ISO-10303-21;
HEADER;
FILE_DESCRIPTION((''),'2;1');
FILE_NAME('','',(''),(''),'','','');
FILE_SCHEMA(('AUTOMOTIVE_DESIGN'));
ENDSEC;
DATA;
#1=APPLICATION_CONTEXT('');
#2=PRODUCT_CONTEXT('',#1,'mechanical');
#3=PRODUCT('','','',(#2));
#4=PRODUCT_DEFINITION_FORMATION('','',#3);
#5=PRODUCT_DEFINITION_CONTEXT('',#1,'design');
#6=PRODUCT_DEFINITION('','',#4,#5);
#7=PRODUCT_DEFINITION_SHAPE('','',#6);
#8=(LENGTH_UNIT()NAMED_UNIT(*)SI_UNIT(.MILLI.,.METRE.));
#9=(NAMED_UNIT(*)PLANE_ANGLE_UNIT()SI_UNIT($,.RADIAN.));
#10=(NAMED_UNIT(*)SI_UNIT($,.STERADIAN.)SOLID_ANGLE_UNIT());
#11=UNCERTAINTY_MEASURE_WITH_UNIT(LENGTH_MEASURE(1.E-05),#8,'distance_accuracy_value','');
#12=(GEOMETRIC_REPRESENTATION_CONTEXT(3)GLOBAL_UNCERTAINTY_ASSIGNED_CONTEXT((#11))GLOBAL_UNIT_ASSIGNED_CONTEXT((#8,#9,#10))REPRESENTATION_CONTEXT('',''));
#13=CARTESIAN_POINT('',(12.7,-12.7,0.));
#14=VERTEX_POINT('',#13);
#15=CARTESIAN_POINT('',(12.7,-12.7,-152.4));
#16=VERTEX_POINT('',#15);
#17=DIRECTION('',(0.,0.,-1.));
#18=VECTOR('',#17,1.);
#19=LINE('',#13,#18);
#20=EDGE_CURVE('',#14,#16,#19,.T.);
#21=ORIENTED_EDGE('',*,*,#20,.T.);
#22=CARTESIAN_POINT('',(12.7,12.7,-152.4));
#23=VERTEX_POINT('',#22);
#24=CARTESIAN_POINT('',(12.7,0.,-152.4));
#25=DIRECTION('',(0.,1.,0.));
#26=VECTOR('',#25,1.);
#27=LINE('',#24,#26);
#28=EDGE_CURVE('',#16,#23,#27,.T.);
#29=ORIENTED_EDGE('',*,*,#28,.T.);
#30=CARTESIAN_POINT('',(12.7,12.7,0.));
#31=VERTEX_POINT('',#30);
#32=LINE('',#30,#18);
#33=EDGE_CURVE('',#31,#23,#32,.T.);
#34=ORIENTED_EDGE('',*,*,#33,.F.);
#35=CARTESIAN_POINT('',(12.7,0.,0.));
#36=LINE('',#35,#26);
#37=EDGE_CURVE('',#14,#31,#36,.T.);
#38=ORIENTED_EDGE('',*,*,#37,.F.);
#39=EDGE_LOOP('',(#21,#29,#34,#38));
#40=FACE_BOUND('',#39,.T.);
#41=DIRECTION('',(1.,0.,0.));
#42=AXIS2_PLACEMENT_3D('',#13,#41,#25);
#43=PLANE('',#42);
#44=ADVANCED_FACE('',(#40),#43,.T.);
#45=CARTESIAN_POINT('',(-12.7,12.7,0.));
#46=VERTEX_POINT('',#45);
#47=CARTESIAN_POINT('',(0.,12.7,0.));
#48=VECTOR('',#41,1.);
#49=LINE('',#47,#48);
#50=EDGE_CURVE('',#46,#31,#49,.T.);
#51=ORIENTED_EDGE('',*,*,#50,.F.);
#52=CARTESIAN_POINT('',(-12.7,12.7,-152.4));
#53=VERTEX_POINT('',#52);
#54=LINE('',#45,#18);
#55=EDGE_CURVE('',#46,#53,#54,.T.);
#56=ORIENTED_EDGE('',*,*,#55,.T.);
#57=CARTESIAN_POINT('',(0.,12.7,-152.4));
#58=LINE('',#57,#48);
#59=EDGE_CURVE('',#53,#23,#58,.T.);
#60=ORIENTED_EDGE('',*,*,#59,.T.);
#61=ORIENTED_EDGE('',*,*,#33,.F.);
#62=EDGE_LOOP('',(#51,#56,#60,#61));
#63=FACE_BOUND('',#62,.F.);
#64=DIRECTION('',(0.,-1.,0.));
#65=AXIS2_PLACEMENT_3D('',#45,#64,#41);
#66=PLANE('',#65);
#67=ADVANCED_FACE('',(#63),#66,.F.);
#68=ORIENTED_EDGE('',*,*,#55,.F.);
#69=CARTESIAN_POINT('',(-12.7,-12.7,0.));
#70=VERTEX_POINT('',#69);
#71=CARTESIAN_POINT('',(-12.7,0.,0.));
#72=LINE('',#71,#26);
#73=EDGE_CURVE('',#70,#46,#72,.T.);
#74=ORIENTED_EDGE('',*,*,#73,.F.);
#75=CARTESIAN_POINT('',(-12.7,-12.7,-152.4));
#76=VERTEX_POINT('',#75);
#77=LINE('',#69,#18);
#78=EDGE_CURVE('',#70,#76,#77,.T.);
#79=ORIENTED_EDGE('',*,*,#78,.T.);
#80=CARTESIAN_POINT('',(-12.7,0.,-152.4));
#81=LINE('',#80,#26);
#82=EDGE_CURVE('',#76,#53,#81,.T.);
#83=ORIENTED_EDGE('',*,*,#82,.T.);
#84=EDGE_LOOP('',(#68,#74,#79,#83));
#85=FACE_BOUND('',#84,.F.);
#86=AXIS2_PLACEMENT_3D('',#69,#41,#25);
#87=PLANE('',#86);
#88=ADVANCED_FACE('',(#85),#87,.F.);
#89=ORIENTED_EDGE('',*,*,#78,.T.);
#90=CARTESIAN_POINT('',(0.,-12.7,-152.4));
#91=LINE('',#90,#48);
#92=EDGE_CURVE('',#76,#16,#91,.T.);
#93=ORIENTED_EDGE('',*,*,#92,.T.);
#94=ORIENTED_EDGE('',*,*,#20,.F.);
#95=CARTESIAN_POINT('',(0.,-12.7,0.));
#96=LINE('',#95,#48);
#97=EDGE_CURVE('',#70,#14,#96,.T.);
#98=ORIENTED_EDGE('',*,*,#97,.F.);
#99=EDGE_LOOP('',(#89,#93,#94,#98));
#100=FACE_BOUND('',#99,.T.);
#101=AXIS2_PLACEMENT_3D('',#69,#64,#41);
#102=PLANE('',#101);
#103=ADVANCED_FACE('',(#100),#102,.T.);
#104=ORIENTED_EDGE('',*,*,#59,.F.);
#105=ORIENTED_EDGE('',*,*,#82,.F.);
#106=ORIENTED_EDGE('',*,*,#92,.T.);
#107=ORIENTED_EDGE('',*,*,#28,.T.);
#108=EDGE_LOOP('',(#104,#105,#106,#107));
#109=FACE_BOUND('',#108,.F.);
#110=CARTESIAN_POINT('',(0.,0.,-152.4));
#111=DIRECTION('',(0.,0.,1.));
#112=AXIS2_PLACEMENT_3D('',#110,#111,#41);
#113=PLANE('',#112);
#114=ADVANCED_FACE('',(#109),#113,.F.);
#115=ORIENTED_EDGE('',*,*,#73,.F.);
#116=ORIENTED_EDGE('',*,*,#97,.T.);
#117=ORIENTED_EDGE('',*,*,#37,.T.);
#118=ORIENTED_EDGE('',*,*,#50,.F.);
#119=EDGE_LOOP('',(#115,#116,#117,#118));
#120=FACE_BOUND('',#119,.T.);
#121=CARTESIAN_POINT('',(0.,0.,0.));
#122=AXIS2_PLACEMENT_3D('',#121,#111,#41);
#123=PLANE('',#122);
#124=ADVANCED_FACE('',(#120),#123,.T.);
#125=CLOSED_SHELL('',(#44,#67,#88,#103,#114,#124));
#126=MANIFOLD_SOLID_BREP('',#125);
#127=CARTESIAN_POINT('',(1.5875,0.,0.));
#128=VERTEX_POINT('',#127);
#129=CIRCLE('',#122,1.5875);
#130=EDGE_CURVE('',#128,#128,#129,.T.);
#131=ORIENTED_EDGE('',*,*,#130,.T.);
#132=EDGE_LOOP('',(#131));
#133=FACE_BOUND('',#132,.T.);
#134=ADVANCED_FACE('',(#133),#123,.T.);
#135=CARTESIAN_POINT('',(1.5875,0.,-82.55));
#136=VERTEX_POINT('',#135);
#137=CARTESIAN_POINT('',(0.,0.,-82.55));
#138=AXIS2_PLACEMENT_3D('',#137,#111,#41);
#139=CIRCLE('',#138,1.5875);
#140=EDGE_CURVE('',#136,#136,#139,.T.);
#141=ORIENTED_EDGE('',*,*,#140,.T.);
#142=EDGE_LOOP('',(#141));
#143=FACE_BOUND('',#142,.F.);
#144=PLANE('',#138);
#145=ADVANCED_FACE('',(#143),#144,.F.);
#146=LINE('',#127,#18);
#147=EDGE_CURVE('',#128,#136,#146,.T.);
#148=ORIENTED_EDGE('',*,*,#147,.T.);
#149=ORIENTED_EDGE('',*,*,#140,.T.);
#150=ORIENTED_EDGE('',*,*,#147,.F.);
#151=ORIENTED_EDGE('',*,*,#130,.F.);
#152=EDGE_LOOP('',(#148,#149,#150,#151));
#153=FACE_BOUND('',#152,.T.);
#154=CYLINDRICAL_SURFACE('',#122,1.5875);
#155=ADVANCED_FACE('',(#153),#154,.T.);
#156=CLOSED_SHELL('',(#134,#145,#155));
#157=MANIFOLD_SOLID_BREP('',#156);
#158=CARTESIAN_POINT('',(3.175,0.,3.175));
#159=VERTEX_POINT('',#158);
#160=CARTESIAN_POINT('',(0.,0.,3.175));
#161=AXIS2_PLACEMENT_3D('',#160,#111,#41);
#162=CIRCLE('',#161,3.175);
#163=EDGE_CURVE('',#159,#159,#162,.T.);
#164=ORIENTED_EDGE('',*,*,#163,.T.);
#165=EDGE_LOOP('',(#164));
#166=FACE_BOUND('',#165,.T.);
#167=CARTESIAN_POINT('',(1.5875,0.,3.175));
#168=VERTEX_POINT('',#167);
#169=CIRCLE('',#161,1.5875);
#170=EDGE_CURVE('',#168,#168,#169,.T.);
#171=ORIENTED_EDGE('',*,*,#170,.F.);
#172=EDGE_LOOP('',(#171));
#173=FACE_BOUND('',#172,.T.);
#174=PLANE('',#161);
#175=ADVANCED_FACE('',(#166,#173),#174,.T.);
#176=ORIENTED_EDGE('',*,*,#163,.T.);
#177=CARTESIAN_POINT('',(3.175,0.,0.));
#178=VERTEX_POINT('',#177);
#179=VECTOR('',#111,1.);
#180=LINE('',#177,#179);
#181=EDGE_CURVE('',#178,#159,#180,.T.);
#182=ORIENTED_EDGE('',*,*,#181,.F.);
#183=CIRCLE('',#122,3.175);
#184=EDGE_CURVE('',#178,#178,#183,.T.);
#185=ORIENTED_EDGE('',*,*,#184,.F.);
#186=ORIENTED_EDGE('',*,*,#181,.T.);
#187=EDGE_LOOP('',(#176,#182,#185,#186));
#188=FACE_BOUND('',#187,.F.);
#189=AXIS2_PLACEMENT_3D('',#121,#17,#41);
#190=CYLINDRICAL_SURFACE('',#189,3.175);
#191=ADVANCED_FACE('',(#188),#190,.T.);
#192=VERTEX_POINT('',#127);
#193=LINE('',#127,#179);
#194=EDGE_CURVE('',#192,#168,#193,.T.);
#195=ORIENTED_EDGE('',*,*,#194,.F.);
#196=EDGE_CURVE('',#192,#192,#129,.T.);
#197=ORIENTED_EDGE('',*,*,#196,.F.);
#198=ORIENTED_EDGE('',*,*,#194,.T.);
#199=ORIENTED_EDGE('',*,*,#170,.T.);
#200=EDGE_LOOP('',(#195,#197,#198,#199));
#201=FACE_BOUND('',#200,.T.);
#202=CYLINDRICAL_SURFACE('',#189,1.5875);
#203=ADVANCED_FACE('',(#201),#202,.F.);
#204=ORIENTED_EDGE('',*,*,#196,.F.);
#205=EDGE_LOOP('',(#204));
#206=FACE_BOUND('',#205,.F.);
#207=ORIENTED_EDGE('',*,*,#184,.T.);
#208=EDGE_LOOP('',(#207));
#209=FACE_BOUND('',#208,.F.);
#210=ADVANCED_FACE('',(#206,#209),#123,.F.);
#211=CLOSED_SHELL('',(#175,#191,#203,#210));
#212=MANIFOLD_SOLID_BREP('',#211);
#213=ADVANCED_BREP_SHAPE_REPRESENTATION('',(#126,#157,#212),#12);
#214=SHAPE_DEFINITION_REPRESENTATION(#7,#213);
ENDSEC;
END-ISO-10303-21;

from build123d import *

# Parameters (mm, degrees)
F0_R     = 1.5875
F1_DEPTH = 82.55
F2_R     = 3.175
F2_R_2   = 1.5875
F3_DEPTH = 3.175
F4_W     = 25.4
F4_H     = 25.4
F5_DEPTH = 152.4


with BuildPart() as f1:
    # F0 (on Top) → F1 (new body)
    with BuildSketch(Plane.XY):
        Circle(F0_R)
    extrude(amount=-F1_DEPTH)


with BuildPart() as f3:
    # F2 (on Top) → F3 (new body)
    with BuildSketch(Plane.XY):
        Circle(F2_R)
        Circle(F2_R_2, mode=Mode.SUBTRACT)
    extrude(amount=F3_DEPTH)


with BuildPart() as f5:
    # F4 (on Top) → F5 (new body)
    with BuildSketch(Plane.XY):
        Rectangle(F4_W, F4_H)
    extrude(amount=-F5_DEPTH)


solid = Compound([f1.part, f3.part, f5.part])
